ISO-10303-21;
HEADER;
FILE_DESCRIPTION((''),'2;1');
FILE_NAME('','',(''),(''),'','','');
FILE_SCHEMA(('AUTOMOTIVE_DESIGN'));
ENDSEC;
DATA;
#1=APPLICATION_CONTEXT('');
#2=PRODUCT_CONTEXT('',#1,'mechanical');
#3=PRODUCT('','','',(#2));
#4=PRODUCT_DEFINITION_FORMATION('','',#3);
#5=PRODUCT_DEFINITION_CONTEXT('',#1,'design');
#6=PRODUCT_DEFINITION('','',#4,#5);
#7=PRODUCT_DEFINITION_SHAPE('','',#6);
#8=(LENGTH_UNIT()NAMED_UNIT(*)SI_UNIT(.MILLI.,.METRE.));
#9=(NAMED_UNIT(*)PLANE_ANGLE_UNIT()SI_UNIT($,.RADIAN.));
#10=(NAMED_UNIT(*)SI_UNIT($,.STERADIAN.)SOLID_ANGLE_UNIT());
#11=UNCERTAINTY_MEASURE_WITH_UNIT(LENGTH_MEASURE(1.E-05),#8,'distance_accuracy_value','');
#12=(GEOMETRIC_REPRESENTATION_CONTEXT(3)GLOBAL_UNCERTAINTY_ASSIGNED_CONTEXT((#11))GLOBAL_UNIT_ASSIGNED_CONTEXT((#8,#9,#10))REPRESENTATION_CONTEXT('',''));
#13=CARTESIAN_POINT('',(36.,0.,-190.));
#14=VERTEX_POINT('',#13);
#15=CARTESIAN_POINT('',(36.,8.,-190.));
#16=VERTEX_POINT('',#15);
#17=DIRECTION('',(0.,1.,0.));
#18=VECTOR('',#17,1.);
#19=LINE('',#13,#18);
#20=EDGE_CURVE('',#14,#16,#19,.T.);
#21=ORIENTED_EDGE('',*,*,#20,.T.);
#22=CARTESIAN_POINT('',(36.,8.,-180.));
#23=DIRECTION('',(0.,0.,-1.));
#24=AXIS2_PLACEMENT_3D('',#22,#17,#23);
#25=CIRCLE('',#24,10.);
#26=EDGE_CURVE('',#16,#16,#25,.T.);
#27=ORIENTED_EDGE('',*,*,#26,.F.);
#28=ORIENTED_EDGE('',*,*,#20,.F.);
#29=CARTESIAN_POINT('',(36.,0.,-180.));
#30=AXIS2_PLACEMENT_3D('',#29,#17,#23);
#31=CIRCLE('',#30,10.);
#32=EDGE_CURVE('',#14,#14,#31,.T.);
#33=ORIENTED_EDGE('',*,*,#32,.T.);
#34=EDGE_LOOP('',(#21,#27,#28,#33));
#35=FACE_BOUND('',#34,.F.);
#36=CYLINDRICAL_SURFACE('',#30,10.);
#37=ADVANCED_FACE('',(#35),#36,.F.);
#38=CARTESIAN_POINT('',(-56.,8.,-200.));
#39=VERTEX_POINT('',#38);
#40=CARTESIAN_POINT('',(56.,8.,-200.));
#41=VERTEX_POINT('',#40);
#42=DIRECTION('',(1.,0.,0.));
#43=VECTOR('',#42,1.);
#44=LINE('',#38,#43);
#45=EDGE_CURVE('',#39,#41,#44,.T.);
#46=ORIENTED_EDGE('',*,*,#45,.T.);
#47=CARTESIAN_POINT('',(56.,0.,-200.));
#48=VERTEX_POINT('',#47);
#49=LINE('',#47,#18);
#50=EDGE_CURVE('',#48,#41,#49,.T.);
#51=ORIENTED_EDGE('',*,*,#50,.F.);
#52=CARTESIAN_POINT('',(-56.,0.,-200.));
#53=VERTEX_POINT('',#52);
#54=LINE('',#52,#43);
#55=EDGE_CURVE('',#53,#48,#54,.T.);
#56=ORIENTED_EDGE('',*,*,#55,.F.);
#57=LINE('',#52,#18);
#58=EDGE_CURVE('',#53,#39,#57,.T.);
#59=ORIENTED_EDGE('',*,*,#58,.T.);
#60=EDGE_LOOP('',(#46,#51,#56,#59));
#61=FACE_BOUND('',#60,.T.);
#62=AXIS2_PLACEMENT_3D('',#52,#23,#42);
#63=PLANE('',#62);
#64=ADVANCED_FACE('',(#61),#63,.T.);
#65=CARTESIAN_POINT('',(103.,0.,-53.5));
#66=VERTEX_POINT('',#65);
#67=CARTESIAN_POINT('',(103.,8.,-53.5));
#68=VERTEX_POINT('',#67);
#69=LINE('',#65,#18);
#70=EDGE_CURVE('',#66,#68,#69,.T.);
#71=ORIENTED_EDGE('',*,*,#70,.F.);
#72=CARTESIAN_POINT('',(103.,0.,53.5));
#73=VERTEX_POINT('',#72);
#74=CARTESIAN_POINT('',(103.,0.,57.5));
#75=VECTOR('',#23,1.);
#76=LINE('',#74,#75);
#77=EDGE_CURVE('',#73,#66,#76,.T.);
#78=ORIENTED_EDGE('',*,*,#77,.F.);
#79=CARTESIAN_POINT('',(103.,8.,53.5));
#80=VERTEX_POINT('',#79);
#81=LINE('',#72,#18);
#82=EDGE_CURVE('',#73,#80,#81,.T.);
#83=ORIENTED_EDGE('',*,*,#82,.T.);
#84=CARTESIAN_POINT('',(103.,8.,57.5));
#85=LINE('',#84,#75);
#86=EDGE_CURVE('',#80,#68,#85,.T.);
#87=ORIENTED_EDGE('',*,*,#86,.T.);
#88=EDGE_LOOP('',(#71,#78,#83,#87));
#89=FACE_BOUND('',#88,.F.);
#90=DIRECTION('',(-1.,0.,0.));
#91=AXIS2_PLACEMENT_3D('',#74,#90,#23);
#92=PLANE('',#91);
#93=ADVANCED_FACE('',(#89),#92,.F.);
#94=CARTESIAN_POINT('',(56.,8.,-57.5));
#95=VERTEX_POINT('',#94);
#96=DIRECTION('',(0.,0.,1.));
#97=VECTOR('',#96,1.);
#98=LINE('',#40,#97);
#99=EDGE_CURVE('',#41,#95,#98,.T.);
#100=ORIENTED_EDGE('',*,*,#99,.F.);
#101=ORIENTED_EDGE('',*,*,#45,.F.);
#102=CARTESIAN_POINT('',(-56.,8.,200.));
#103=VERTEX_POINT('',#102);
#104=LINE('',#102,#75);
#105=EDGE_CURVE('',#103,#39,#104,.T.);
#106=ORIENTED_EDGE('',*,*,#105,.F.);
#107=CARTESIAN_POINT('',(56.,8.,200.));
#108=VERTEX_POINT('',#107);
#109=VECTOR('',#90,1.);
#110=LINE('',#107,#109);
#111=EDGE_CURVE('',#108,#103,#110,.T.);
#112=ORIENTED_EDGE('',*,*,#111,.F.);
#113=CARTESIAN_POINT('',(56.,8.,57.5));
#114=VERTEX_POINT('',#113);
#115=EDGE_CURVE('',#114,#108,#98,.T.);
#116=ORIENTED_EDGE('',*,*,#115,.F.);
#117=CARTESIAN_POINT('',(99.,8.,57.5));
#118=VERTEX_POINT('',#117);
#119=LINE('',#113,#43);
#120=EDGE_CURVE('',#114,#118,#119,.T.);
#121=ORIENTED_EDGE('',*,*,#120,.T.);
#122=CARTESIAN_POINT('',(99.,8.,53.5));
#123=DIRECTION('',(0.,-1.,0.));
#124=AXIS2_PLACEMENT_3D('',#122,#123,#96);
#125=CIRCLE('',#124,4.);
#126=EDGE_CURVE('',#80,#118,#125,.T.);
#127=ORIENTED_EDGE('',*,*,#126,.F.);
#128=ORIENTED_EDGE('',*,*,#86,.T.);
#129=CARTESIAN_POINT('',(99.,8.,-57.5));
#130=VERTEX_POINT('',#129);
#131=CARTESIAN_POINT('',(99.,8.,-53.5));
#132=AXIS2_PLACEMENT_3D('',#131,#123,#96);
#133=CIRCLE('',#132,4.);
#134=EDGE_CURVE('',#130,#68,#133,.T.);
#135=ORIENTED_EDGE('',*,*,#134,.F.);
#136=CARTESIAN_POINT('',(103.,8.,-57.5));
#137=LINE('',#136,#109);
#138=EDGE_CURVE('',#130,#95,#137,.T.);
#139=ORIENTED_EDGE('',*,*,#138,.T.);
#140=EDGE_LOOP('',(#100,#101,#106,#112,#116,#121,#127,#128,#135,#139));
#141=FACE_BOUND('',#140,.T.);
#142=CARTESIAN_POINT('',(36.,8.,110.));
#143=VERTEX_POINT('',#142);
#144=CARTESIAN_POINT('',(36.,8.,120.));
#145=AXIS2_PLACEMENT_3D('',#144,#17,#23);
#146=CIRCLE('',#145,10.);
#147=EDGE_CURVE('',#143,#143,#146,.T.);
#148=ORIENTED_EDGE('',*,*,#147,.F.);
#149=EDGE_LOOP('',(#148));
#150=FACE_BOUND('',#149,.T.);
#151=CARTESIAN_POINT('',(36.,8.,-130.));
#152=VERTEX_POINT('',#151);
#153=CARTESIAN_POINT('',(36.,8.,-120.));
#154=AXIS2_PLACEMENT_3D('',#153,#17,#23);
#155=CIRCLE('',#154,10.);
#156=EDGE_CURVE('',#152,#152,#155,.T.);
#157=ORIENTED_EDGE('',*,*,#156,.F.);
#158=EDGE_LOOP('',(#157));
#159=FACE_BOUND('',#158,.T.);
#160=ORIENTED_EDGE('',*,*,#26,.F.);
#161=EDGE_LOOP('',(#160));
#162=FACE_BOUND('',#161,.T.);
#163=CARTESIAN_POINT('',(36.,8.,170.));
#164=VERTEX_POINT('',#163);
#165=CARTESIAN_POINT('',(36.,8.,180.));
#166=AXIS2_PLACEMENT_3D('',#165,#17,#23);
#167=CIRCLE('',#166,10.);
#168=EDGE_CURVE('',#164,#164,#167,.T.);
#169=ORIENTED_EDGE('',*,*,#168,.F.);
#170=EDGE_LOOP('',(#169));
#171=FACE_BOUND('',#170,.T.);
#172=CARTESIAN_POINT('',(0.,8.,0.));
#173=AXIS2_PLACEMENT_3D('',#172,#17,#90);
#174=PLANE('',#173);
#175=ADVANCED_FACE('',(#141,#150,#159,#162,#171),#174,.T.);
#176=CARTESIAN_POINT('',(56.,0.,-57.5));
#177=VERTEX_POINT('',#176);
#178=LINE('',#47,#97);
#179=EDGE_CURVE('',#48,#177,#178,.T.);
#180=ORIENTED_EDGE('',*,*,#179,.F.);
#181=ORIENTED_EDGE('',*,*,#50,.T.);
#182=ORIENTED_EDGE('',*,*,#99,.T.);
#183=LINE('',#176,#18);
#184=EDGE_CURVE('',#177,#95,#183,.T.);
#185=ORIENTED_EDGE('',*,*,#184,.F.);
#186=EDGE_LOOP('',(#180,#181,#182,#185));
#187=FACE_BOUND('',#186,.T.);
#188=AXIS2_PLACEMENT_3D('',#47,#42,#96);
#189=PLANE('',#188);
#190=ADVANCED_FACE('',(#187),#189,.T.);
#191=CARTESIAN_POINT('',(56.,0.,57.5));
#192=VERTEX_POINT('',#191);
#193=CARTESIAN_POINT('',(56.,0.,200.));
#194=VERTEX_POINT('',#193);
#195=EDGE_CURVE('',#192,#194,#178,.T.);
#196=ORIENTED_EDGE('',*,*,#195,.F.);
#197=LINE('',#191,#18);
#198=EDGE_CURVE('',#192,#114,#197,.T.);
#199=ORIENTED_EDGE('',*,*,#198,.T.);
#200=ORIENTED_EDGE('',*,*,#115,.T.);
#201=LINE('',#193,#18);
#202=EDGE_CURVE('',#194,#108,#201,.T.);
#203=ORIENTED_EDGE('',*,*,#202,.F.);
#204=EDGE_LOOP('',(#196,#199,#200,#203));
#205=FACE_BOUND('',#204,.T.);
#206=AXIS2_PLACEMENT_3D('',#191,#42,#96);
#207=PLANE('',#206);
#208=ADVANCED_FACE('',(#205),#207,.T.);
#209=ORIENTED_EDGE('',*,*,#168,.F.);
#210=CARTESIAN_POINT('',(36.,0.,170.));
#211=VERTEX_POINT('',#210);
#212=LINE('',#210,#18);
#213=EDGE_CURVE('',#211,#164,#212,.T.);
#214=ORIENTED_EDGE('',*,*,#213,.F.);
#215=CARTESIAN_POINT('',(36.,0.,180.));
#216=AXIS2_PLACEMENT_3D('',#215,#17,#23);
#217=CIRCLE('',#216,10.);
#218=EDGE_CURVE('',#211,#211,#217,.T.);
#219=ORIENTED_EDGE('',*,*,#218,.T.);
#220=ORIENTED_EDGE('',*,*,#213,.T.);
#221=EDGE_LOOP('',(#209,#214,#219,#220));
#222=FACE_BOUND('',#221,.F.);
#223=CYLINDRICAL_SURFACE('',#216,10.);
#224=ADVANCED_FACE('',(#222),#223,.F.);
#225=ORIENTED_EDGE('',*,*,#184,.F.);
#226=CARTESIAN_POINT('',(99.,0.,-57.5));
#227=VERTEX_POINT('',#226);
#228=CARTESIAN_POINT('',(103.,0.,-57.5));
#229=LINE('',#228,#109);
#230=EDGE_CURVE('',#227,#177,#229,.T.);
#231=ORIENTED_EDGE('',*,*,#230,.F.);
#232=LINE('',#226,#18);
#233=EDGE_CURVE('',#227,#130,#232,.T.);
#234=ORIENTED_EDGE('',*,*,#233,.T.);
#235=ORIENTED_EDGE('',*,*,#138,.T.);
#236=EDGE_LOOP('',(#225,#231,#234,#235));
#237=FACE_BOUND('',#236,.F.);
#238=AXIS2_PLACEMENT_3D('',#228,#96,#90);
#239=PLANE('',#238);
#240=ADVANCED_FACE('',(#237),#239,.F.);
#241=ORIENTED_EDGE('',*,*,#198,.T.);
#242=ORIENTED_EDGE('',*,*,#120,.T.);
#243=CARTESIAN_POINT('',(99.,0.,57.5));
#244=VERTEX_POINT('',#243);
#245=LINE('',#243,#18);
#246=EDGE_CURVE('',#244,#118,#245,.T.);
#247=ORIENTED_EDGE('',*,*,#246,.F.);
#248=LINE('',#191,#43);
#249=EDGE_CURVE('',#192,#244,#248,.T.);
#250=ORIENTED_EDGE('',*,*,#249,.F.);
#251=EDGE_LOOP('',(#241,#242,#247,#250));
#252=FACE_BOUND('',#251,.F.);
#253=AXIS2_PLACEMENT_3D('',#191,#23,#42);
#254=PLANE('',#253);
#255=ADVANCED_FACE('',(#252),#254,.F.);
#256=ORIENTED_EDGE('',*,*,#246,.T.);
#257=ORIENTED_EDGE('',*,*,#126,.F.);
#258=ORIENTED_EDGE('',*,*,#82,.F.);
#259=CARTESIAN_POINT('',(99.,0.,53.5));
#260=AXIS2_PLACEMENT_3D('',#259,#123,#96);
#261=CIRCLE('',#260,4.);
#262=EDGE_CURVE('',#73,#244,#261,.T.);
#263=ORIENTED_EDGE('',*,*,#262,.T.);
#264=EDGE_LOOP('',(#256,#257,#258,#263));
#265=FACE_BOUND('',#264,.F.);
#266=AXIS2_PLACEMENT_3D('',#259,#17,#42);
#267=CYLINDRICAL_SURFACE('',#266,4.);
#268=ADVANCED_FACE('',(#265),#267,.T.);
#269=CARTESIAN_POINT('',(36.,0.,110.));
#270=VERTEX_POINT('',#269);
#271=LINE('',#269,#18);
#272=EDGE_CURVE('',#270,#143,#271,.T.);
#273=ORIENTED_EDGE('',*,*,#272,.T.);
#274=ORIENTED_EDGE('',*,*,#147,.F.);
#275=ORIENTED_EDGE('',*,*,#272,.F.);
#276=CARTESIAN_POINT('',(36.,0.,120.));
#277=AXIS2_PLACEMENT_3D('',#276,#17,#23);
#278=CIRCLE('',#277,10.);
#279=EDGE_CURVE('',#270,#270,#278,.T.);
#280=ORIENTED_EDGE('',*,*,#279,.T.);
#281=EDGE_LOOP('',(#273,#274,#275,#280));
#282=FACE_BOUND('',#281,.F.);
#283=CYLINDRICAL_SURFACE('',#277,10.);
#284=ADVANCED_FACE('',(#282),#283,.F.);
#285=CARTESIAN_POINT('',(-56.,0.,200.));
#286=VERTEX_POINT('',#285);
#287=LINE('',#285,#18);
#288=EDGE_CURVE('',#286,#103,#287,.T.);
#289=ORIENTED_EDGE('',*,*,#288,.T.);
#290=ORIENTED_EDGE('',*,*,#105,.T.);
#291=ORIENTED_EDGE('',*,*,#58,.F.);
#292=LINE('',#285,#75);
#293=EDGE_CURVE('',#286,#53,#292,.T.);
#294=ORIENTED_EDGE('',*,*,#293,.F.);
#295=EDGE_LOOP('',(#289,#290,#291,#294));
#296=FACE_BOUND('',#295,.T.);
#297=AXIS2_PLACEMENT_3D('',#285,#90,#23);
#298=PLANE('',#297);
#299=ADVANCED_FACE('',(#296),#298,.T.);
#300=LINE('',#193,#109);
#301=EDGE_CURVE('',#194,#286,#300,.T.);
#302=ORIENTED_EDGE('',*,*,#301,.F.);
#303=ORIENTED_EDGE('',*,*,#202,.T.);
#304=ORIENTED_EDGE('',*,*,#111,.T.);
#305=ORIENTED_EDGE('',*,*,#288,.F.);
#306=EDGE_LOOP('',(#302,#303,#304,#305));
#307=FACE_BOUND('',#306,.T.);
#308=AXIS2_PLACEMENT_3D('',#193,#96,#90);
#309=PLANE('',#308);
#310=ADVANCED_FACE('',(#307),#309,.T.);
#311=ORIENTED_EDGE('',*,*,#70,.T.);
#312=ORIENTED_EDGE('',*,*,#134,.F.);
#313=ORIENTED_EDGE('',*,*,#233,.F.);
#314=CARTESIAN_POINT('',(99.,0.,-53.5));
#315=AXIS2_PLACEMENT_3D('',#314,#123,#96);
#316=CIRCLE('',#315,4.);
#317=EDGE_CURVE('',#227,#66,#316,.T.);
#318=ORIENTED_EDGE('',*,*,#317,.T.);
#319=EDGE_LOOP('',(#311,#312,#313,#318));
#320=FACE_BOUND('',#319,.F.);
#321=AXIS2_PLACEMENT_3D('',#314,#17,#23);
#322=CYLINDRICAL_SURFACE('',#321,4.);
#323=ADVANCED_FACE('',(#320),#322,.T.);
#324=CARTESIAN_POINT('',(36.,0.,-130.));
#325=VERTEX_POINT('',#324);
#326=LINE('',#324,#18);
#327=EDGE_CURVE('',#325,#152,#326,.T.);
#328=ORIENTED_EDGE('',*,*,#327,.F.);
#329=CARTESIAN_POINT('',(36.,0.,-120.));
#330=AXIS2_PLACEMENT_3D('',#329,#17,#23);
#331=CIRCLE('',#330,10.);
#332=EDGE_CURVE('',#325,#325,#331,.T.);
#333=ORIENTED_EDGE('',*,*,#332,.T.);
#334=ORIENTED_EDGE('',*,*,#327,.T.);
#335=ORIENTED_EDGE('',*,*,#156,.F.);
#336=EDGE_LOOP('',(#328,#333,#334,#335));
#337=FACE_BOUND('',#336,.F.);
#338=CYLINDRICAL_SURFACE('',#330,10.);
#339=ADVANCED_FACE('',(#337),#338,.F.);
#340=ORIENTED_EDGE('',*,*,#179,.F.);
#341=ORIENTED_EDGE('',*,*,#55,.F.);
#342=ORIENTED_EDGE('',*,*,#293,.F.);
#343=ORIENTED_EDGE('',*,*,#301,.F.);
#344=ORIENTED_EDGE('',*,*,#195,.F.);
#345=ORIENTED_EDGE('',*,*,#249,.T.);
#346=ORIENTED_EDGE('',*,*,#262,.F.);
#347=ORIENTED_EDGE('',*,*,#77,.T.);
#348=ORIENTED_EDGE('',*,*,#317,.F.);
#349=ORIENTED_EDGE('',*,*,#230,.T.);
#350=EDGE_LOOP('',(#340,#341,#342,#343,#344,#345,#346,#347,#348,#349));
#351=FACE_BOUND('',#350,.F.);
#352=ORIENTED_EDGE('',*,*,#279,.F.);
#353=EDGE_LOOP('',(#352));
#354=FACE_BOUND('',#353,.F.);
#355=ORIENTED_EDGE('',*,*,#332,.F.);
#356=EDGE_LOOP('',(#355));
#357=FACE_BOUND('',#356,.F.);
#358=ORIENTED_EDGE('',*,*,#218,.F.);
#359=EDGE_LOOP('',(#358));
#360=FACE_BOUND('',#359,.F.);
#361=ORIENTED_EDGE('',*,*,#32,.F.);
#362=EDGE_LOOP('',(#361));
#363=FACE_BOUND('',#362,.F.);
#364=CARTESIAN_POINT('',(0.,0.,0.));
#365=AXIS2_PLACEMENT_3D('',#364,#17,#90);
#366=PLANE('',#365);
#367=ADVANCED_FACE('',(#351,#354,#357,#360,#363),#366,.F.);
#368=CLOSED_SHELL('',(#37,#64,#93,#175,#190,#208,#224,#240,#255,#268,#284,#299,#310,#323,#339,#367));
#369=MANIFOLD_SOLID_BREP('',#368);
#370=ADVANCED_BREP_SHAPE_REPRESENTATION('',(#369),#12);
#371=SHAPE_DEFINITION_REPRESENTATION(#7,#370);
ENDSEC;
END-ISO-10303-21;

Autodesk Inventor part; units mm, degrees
ref_plane "YZ Plane" through (0, 0, 0) normal (1, 0, 0) x (0, 1, 0)
ref_plane "XZ Plane" through (0, 0, 0) normal (0, 1, 0) x (-1, 0, 0)
ref_plane "XY Plane" through (0, 0, 0) normal (0, 0, 1) x (1, 0, 0)
sketch "Sketch1" plane through (0, 0, 0) normal (0, 1, 0) x (-1, 0, 0)
  line L0 (56, -200) -> (-56, -200)
  line L1 (-56, -200) -> (-56, 200)
  line L2 (-56, 200) -> (56, 200)
  line L3 (56, 200) -> (56, -200)
  line L4 (56, -200) -> (-56, 200) construction
  line L5 (-56, -200) -> (56, 200) construction
  line L6 (-56, 57.5) -> (-103, 57.5)
  line L7 (-103, 57.5) -> (-103, -57.5)
  line L8 (-103, -57.5) -> (-56, -57.5)
  point P0 (0, 0)
  point P1 (0, 0)
  point P2 (-103, 0)
  point P3 (-56, 0)
  dimension "d16" = 112
  dimension "d17" = 400
  dimension "d24" = 47
  dimension "d25" = 115
extrude "Plate1" add sketch "Sketch1" along normal blind 8
sketch "Sketch2" plane through (0, 0, 0) normal (0, -1, 0) x (1, 0, 0)
  line L0 (36, 180) -> (36, -180) construction
  line L1 (-56, -200) -> (56, -200) projected
  line L2 (56, -200) -> (56, -57.5) projected
  line L3 (56, 200) -> (-56, 200) projected
  line L4 (-56, 200) -> (-56, -200) projected
  line L5 (103, -57.5) -> (56, -57.5) projected
  line L6 (103, 57.5) -> (103, -57.5) projected
  line L7 (56, 57.5) -> (103, 57.5) projected
  line L8 (56, 57.5) -> (56, 200) projected
  point P0 (36, 0)
  point P1 (36, 0)
  point P2 (0, 0)
  point P3 (36, 120)
  point P4 (36, -120)
  dimension "d19" = 20
  dimension "d20" = 20
  dimension "d21" = 360
  dimension "d22" = 120
  dimension "d23" = 120
hole "Hole1" at (36, 0, 180) at (36, 0, -180) at (36, 0, -120) at (36, 0, 120) direction (0, 1, 0) diameter 20 end through all
fillet "Fillet1" radius 4 2 edges at (103, 4, 57.5) (103, 4, -57.5)
equation "\"d20\" = d19"
equation "\"d22\" = d23"
equation "\"d3\" = d19"
equation "\"d8\" = Thickness"
equation "\"d2\" = Thickness"
equation "\"BendRadius\" = Thickness"
equation "\"BendReliefWidth\" = Thickness"
equation "\"BendReliefDepth\" = 0.5 * Thickness"
equation "\"CornerReliefSize\" = 4 * Thickness"
equation "\"MinimumRemnant\" = 2 * Thickness"
equation "\"TransitionRadius\" = BendRadius"
equation "\"JacobiRadiusSize\" = BendRadius"
equation "\"GapSize\" = Thickness"
equation "\"Thickness\" = 8"
properties part number "Ухо на швеллер пямое_CPY"
